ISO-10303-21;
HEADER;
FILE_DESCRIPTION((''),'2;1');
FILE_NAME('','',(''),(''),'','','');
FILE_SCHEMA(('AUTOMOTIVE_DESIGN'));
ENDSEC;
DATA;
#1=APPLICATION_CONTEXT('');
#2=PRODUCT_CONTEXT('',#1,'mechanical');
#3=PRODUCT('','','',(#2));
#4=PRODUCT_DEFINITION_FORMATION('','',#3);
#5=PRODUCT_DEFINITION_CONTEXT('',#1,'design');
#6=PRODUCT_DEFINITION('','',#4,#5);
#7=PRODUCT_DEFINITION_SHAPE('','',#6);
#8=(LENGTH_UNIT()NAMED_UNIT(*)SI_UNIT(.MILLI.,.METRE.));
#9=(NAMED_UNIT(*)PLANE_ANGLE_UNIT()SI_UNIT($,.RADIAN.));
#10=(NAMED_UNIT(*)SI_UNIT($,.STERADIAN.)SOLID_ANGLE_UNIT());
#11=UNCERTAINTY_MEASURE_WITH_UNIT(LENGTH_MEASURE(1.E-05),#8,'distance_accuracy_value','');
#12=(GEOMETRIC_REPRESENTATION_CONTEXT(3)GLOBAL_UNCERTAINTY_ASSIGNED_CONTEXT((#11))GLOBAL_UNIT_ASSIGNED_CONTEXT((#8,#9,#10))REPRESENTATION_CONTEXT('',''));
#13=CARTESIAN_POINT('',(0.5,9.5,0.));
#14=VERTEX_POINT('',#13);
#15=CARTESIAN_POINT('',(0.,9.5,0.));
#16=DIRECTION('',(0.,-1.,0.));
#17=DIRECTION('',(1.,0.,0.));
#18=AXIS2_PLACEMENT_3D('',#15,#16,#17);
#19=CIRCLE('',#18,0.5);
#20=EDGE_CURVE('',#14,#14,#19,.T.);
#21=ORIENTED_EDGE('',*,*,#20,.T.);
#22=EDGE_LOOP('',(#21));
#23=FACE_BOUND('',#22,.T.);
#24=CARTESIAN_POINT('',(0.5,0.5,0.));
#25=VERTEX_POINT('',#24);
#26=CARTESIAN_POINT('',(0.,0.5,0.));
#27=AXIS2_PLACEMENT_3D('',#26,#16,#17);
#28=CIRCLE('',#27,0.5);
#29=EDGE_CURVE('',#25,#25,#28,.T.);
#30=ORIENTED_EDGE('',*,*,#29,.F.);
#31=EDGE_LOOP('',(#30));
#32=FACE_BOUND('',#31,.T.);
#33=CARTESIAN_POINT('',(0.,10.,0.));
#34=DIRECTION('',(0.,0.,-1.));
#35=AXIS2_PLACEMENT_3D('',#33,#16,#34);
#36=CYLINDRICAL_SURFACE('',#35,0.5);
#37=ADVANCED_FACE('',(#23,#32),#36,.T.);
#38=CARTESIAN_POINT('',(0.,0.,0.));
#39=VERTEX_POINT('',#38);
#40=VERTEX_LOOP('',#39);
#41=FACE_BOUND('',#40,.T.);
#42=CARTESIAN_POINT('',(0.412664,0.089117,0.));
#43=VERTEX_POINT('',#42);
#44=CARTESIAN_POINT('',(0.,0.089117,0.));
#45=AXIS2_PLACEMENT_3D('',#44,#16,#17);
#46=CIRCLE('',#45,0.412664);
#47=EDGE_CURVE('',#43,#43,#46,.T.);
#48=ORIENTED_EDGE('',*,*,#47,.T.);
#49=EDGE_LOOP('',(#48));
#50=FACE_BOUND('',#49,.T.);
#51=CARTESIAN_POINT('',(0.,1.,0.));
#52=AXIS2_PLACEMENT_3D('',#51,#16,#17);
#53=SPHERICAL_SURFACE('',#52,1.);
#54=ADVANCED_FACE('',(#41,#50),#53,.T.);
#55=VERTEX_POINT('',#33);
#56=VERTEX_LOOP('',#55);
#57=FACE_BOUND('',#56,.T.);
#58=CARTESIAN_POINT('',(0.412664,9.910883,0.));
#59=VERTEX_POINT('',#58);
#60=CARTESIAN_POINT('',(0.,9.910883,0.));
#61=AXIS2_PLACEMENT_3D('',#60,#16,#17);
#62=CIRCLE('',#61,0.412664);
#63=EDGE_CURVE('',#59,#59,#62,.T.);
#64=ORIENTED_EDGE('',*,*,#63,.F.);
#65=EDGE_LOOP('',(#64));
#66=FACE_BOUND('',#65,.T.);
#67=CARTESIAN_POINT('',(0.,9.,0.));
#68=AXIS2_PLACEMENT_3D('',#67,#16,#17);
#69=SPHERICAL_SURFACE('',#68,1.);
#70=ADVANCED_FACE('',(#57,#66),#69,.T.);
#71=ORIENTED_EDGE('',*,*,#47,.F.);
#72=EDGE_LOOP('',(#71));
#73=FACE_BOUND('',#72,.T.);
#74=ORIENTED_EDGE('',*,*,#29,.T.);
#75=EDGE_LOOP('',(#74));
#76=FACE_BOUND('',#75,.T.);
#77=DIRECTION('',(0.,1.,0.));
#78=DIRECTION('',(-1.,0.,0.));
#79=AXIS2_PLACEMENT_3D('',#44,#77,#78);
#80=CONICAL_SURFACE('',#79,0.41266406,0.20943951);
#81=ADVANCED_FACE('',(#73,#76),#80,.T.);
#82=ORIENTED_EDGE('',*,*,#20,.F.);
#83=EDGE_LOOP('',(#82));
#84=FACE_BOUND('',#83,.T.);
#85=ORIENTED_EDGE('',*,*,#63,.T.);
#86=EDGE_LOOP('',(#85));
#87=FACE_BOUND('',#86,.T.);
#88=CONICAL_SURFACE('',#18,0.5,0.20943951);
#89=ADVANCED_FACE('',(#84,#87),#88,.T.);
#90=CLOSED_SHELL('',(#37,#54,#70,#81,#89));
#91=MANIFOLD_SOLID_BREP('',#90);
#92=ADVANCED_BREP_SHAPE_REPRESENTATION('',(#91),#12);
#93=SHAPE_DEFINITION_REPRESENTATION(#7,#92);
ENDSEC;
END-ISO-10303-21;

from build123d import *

# Parameters (mm, degrees)
SKETCH1_R           = 0.5
BOSS_EXTRUDE1_DEPTH = 10


with BuildPart() as part:
    # Sketch1 → Boss-Extrude1 (new body)
    with BuildSketch(Plane(origin=(0, 0, 0), x_dir=(1, 0, 0), z_dir=(0, 1, 0))):
        Circle(SKETCH1_R)
    extrude(amount=BOSS_EXTRUDE1_DEPTH)

    # Sketch2 → Cut-Revolve2 (revolve, cut)
    with BuildSketch(Plane.XY):
        with BuildLine():
            Line((0.5, 9.866025404), (0.5, 10.1))
            Line((0.5, 10.1), (0, 10.1))
            Line((0, 10.1), (0, 10))
            ThreePointArc((0, 10), (0.258819045, 9.965925826), (0.5, 9.866025404))
        make_face()
        with BuildLine():
            Line((0.5, -0.1), (0, -0.1))
            Line((0, -0.1), (0, 0))
            ThreePointArc((0, 0), (0.258819045, 0.034074174), (0.5, 0.133974596))
            Line((0.5, 0.133974596), (0.5, -0.1))
        make_face()
    revolve(axis=Axis((0, 0, 0), (0, 1, 0)), mode=Mode.SUBTRACT)

    # Sketch3 → Cut-Revolve3 (revolve, cut)
    with BuildSketch(Plane.XY):
        with BuildLine():
            Line((-0.5, 9.5), (-0.41266406, 9.910883293))
            ThreePointArc((-0.41266406, 9.910883293), (-0.456882894, 9.889526852), (-0.5, 9.866025404))
            Line((-0.5, 9.866025404), (-0.5, 9.5))
        make_face()
        with BuildLine():
            Line((-0.5, 0.133974596), (-0.5, 0.5))
            Line((-0.5, 0.5), (-0.41266406, 0.089116707))
            ThreePointArc((-0.41266406, 0.089116707), (-0.456882894, 0.110473148), (-0.5, 0.133974596))
        make_face()
    revolve(axis=Axis((0, 0, 0), (0, 1, 0)), mode=Mode.SUBTRACT)


solid = part.part
